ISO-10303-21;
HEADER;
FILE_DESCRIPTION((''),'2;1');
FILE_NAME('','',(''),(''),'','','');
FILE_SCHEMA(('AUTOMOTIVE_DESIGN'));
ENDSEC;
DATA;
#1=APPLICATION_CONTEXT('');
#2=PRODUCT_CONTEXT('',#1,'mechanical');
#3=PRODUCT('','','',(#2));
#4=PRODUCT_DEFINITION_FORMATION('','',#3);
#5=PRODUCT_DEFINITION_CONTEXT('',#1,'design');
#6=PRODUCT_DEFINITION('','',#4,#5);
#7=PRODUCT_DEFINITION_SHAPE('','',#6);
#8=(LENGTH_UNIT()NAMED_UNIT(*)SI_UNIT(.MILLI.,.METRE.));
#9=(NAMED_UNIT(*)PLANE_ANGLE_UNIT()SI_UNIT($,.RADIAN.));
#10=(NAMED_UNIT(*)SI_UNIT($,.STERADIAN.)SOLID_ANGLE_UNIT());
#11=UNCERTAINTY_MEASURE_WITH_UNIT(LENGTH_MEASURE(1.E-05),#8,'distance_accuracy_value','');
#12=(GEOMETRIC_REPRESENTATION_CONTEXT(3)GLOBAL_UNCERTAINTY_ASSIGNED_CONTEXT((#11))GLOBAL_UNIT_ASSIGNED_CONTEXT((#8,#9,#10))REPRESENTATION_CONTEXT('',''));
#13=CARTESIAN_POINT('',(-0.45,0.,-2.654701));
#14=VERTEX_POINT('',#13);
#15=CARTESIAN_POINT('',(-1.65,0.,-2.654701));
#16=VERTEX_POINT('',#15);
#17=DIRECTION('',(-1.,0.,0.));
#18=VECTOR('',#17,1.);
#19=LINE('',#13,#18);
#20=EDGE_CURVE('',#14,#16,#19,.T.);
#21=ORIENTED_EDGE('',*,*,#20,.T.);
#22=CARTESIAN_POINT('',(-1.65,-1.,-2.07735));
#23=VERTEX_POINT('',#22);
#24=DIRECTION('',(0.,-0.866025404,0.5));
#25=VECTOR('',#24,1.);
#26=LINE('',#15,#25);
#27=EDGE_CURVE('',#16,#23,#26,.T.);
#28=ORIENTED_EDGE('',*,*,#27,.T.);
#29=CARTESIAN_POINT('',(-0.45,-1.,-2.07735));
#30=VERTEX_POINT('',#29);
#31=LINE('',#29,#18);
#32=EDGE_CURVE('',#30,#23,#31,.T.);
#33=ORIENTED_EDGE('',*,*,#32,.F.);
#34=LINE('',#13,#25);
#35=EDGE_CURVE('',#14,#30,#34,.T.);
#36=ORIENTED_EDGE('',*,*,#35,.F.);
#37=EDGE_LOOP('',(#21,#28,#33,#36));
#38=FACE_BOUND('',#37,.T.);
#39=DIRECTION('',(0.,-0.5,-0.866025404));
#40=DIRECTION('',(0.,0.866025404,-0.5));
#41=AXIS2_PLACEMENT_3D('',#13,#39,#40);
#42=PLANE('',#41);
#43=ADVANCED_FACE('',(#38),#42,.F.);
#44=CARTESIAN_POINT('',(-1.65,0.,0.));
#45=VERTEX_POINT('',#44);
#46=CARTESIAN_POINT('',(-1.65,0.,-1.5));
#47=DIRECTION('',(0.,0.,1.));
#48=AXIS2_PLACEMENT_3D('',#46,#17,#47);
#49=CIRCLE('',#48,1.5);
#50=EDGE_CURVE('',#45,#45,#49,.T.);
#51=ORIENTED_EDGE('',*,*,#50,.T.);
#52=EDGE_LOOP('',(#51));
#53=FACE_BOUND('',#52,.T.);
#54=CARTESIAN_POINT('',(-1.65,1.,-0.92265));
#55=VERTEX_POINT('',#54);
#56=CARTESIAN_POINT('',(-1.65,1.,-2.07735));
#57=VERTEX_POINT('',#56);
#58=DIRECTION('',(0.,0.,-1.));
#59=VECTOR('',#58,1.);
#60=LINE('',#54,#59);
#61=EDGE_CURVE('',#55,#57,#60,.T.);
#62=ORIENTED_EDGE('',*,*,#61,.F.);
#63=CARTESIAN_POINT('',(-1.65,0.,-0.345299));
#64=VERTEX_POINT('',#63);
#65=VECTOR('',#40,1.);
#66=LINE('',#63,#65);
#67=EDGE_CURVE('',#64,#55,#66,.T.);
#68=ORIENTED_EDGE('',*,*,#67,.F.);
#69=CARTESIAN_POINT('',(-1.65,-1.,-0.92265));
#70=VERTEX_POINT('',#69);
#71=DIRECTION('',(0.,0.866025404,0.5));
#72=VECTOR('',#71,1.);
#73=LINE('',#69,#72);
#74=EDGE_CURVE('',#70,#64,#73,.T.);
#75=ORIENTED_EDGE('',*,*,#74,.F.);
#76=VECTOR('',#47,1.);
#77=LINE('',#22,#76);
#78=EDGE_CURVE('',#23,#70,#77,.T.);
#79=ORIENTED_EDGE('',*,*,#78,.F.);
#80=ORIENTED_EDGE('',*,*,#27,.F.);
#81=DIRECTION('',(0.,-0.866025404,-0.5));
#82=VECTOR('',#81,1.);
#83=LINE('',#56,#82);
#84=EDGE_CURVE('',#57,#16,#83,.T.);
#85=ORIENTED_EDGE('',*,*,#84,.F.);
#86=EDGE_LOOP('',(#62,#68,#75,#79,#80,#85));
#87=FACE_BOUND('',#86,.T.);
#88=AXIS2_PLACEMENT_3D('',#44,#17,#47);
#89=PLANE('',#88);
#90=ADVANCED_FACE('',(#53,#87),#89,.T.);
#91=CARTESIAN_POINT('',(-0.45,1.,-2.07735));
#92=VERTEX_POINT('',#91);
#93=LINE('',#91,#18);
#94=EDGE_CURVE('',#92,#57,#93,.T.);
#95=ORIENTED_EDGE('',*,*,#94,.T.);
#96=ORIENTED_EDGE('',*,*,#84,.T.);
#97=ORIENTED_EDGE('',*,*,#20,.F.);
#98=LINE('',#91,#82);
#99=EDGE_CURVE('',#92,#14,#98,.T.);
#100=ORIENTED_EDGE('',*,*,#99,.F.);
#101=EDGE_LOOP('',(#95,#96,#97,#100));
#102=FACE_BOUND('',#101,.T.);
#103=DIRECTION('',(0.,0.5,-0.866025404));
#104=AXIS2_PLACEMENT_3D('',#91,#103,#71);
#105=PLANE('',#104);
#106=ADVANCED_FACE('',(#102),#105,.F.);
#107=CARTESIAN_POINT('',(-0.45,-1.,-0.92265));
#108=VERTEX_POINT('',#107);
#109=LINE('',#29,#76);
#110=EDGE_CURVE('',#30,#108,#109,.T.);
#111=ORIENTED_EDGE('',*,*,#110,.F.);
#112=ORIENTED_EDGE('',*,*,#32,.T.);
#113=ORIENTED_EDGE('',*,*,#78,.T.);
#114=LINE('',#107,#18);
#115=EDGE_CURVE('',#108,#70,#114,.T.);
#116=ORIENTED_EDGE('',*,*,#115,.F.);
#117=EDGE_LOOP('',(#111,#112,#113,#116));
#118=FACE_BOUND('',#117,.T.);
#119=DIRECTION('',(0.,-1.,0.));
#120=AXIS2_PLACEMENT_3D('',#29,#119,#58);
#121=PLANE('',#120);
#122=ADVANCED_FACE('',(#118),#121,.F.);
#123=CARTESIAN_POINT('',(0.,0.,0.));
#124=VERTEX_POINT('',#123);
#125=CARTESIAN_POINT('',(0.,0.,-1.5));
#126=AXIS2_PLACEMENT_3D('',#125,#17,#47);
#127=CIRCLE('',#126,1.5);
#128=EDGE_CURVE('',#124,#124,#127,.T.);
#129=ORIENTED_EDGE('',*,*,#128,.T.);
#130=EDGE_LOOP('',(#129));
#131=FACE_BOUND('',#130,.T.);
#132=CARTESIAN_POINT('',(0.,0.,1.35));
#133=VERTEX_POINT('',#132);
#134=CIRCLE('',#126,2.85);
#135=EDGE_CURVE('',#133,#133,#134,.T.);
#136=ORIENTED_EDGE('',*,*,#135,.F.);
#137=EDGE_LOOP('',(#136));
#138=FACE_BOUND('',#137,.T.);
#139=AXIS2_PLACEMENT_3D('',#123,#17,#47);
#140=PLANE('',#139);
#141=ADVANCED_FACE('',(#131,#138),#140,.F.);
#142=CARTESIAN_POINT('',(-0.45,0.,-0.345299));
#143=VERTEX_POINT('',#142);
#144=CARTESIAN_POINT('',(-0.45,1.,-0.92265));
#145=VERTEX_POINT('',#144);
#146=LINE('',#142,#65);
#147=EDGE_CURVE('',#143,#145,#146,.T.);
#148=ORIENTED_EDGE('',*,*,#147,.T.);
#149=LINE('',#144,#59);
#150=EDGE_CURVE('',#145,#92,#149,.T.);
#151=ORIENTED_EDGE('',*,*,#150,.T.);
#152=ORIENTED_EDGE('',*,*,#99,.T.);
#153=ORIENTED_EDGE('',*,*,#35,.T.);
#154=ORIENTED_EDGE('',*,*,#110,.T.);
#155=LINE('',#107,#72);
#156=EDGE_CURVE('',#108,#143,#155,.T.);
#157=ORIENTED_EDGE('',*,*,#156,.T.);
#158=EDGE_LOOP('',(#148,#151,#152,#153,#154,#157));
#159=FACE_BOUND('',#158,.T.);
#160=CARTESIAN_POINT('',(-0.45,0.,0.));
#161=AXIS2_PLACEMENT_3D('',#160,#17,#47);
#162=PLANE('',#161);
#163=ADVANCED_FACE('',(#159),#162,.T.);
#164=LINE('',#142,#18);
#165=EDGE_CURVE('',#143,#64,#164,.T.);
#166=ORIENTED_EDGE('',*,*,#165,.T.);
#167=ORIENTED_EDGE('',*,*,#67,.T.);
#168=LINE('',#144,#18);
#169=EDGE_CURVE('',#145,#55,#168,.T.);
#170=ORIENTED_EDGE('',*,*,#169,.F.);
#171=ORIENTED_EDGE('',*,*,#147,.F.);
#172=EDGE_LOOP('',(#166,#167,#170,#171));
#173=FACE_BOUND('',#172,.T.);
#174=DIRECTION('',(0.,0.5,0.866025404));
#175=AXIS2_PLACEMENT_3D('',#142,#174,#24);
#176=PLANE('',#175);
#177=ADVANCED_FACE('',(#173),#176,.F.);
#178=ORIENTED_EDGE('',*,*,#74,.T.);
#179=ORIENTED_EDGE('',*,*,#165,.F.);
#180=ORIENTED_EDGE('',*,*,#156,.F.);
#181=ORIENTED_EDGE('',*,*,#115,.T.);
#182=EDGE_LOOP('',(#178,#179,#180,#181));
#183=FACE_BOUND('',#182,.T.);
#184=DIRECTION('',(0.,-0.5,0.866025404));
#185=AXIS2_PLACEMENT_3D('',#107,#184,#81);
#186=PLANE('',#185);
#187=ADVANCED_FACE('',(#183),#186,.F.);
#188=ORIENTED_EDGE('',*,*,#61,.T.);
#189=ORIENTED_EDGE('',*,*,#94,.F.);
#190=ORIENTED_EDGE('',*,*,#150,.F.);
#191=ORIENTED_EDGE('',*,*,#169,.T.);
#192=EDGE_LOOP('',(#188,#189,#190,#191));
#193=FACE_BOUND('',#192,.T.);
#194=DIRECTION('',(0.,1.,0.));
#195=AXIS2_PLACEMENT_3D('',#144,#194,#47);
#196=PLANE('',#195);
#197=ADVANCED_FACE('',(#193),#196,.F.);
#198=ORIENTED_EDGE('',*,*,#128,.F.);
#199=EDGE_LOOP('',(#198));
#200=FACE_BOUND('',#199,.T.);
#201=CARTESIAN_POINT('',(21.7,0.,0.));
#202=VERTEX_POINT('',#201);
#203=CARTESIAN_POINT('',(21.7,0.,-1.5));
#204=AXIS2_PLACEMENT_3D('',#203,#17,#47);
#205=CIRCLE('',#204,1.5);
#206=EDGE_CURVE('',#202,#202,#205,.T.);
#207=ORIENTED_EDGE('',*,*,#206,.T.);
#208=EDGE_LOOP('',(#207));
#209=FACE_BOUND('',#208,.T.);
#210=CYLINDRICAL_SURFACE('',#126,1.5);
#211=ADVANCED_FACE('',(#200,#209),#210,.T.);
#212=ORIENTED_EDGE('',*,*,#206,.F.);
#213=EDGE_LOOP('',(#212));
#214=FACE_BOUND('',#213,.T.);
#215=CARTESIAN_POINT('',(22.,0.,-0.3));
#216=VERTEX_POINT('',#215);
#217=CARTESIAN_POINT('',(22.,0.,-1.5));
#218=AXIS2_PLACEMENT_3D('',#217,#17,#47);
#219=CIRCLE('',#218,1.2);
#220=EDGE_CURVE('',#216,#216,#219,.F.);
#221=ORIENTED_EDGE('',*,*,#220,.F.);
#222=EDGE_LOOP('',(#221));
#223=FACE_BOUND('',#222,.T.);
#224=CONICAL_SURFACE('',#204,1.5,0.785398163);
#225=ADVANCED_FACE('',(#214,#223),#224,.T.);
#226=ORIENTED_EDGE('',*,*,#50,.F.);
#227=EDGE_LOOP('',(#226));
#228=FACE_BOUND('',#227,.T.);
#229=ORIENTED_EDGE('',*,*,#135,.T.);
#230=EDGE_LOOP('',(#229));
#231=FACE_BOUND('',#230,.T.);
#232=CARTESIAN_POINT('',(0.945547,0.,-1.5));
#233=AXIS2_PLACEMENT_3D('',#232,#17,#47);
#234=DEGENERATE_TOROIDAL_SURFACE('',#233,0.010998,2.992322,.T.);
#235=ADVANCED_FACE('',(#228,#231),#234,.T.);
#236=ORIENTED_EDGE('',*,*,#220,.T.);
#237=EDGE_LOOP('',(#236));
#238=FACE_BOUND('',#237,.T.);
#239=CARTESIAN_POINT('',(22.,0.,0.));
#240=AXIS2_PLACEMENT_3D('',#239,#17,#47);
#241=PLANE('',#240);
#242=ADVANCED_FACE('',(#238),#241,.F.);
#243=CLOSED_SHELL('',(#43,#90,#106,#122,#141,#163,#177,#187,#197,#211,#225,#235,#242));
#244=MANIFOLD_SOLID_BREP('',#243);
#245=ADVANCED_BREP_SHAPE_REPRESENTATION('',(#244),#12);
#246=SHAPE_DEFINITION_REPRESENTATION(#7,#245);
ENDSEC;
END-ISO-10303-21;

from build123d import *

# Parameters (mm, degrees)
CHAMFER1_SIZE      = 0.3
CUT_EXTRUDE1_DEPTH = 1.2


with BuildPart() as part:
    # Sketch1 → Revolve1 (revolve)
    with BuildSketch(Plane(origin=(0, 0, 0), x_dir=(1, 0, 0), z_dir=(0, 1, 0))):
        with BuildLine():
            ThreePointArc((3.937869631, 1.510997792), (3.937864578, 1.505498886), (3.937849421, 1.5))
            Line((3.937849421, 1.5), (22, 1.5))
            Line((22, 1.5), (22, 3))
            Line((22, 3), (3.541094523, 3))
            ThreePointArc((3.541094523, 3), (3.836974876, 2.281477847), (3.937869631, 1.510997792))
        make_face()
        with BuildLine():
            Line((0, 3), (0, 1.5))
            Line((0, 1.5), (3.937849421, 1.5))
            ThreePointArc((3.937849421, 1.5), (3.937864578, 1.505498886), (3.937869631, 1.510997792))
            ThreePointArc((3.937869631, 1.510997792), (3.836974876, 2.281477847), (3.541094523, 3))
            Line((3.541094523, 3), (0, 3))
        make_face()
        with BuildLine():
            Line((-1.65, 1.5), (0, 1.5))
            Line((0, 1.5), (0, 3))
            Line((0, 3), (0, 4.35))
            ThreePointArc((0, 4.35), (-0.949304344, 3.826927531), (-1.65, 3))
            Line((-1.65, 3), (-1.65, 2.5))
            Line((-1.65, 2.5), (-1.65, 1.5))
        make_face()
    revolve(axis=Axis((0, 0, -1.5), (1, 0, 0)))

    # Chamfer1
    chamfer1_edges = [part.edges().sort_by_distance(p)[0] for p in [
        (22, 0, 0),
    ]]
    chamfer(chamfer1_edges, length=CHAMFER1_SIZE)

    # Sketch2 → Cut-Extrude1 (cut)
    with BuildSketch(Plane.ZY.offset(1.65)):
        Polygon((-0.345299462, 0), (-0.922649731, 1), (-2.077350269, 1), (-2.654700538, 0), (-2.077350269, -1), (-0.922649731, -1), align=None)
    extrude(amount=-CUT_EXTRUDE1_DEPTH, mode=Mode.SUBTRACT)


solid = part.part
